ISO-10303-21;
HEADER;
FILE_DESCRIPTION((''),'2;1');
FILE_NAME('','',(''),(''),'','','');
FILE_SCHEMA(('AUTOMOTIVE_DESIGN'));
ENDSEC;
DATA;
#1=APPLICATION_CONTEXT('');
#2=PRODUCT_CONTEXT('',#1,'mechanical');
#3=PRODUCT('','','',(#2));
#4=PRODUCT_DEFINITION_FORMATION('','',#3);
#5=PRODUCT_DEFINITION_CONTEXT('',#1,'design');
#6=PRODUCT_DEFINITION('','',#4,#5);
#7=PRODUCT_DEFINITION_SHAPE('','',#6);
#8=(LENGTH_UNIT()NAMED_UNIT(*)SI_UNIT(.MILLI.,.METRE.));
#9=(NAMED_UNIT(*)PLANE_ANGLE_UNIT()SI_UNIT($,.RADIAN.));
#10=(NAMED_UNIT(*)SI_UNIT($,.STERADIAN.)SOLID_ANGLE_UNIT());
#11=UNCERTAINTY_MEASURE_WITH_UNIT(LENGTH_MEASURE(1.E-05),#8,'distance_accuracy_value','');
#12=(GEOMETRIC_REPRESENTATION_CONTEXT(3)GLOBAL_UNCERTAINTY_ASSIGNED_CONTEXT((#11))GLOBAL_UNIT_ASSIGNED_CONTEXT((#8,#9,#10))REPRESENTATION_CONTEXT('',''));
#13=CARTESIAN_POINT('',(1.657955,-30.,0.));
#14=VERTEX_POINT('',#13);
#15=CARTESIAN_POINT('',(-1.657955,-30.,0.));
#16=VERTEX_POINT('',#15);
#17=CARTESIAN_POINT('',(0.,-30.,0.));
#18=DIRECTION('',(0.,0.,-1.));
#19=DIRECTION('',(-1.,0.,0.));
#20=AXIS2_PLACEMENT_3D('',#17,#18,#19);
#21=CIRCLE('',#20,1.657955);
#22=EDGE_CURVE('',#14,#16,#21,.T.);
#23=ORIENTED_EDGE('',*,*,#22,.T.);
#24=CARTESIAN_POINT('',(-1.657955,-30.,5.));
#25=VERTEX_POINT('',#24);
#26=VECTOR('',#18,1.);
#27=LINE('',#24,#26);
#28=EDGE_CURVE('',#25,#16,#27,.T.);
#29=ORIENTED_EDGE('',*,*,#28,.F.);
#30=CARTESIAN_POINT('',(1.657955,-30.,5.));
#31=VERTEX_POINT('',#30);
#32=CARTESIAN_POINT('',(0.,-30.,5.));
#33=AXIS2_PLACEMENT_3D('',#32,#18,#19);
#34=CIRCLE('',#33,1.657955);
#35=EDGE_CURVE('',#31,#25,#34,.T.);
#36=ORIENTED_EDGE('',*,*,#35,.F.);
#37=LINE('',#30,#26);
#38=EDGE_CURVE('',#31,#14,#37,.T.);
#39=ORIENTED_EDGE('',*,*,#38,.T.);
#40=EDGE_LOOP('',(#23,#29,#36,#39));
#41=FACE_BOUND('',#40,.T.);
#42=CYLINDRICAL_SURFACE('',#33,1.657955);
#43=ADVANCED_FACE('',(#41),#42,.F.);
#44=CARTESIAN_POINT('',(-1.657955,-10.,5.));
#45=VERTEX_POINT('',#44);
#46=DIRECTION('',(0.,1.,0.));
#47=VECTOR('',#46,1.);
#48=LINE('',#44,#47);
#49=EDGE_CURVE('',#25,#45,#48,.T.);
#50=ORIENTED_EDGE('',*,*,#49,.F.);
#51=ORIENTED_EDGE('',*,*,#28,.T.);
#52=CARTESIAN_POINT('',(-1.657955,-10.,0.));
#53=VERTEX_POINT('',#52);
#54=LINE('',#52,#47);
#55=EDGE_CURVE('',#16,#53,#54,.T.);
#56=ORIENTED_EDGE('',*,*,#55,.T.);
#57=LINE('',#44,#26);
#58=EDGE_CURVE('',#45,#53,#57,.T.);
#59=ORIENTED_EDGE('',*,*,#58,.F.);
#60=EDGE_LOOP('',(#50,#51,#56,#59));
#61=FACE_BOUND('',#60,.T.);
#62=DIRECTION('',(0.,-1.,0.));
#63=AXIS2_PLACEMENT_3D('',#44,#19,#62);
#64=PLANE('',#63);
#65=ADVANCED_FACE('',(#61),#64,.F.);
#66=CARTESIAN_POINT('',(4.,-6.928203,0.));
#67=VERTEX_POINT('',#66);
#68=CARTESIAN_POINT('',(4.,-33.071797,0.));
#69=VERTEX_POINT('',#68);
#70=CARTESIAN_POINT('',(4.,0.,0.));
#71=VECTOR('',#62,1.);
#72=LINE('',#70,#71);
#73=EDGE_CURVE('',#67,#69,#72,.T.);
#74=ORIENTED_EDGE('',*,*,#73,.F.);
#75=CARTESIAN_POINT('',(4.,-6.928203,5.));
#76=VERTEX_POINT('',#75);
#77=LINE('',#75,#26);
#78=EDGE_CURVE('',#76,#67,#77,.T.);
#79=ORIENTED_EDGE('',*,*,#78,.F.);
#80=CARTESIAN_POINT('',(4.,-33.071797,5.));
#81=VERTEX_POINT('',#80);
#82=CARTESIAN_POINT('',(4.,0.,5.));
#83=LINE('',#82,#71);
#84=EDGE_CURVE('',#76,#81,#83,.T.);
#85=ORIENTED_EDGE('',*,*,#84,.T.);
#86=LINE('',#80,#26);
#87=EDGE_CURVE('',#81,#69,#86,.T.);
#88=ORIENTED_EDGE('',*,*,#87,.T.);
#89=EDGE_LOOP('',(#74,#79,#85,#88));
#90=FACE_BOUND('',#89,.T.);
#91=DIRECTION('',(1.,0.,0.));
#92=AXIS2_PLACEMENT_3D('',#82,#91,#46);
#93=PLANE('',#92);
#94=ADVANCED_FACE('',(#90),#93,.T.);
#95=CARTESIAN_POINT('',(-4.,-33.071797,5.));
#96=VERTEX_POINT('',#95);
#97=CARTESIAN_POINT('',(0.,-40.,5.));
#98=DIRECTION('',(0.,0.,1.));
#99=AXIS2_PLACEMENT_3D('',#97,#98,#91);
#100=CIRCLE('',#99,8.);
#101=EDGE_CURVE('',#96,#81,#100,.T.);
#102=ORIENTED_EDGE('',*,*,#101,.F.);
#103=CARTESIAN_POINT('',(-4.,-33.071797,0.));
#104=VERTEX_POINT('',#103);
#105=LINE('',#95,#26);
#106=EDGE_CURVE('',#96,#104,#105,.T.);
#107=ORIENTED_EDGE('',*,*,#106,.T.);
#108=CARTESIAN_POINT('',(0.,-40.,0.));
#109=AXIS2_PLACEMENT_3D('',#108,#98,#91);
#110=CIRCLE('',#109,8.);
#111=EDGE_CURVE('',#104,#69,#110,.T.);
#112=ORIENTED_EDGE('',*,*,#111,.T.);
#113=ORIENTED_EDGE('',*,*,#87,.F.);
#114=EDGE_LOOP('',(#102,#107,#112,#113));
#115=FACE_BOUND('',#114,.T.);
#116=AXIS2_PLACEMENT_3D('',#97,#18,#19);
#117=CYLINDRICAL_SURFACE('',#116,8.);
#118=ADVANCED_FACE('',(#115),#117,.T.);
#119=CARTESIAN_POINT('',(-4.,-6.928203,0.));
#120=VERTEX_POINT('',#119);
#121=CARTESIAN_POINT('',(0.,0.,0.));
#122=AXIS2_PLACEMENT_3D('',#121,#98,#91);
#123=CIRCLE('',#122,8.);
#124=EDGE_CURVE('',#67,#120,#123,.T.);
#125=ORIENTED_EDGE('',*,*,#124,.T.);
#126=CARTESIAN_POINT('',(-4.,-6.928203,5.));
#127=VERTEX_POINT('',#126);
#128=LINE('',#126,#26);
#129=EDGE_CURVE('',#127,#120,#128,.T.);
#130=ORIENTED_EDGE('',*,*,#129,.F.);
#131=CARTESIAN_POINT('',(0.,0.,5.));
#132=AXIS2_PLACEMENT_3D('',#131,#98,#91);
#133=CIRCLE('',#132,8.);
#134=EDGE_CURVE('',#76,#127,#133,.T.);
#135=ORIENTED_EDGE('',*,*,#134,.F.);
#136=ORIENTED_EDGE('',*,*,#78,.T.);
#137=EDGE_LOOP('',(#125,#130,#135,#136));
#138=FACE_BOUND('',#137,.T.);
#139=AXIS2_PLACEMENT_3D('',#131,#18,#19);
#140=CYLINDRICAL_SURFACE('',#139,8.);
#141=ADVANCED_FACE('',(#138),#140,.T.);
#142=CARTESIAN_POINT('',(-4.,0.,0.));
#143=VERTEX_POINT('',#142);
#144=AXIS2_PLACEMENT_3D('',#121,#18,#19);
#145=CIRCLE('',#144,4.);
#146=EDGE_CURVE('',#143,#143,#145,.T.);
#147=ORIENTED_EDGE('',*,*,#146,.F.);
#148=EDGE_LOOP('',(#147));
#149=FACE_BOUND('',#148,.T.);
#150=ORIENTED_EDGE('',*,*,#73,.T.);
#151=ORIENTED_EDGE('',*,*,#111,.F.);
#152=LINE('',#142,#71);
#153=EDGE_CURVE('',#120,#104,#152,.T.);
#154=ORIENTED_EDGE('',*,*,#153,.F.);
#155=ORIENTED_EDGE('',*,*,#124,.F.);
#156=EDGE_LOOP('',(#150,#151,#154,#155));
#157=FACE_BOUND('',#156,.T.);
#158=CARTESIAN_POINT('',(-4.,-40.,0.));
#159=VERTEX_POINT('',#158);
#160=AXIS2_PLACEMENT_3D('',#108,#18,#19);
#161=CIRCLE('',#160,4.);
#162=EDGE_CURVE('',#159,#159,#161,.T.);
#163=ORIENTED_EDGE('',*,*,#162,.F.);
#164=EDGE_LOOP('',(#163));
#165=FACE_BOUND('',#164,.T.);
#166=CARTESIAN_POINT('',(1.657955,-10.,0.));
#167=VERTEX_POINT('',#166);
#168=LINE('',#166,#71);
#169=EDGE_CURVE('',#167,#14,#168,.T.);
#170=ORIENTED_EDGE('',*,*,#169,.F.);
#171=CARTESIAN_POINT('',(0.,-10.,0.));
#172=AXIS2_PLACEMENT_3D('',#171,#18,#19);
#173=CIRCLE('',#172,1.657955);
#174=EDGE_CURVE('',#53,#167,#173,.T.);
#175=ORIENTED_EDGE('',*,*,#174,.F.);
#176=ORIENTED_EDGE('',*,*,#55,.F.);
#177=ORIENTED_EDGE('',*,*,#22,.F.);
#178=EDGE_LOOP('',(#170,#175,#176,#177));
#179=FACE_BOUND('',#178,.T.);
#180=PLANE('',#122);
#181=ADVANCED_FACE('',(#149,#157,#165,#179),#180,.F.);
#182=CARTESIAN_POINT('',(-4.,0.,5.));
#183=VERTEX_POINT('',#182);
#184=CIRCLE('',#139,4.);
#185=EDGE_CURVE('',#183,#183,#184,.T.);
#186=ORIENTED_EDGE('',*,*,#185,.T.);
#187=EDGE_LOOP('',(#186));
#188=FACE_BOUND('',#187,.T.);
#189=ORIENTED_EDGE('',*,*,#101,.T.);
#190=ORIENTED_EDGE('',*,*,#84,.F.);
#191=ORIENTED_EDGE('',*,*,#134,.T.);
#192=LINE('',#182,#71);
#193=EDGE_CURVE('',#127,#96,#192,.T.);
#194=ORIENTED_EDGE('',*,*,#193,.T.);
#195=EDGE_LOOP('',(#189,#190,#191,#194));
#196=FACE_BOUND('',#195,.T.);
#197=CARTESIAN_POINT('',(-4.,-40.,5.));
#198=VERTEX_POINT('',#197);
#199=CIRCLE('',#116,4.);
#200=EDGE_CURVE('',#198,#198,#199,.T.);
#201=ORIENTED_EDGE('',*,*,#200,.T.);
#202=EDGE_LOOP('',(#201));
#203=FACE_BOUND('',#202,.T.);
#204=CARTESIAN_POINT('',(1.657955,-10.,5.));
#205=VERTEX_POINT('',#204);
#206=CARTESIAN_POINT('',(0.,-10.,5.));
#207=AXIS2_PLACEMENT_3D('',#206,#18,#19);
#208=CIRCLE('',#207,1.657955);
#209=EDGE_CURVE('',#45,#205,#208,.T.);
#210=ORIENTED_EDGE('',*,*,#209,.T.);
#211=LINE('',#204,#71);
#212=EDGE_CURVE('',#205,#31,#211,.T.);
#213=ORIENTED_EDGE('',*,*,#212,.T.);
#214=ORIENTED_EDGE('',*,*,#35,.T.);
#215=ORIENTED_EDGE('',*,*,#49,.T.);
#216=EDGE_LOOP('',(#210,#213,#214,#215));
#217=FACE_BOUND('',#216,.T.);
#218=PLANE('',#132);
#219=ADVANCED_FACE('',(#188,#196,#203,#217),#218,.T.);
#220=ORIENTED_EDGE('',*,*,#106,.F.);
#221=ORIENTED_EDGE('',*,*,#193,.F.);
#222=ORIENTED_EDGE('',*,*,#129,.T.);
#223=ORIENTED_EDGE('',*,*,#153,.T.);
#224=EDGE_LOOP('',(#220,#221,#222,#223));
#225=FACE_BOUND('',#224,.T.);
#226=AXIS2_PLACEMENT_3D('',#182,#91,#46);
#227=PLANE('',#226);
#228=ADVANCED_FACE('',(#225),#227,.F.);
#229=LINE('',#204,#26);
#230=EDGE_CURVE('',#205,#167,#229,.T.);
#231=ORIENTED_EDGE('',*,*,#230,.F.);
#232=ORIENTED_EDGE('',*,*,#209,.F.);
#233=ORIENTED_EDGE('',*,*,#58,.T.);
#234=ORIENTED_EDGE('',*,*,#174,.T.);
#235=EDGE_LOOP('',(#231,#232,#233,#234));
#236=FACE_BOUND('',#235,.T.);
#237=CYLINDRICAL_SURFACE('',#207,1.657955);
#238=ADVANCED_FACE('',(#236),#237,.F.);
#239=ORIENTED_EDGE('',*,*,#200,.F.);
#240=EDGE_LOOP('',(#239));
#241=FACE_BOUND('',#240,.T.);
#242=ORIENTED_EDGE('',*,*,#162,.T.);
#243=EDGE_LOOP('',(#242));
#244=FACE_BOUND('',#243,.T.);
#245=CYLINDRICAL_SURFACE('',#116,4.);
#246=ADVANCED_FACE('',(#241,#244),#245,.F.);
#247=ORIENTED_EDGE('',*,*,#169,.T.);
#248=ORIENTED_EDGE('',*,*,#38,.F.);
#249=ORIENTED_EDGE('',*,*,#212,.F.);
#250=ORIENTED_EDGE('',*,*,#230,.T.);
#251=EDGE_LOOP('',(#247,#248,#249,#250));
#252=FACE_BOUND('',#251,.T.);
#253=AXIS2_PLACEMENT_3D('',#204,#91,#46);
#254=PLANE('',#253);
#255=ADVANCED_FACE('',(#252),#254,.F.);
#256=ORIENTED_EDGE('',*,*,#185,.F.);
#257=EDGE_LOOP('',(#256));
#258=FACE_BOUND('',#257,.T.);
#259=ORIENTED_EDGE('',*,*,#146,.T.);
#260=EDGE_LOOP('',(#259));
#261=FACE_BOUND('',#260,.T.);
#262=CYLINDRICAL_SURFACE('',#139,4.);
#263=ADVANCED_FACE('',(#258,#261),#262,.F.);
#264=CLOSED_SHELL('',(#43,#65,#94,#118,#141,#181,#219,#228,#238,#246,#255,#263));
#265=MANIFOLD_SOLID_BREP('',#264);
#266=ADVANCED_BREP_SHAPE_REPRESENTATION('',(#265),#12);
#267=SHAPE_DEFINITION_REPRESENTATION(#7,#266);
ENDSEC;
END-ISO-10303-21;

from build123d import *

# Parameters (mm, degrees)
EXTRUDE_1_DEPTH     = 5
SKETCH_3_R          = 4
CUT_EXTRUDE_1_DEPTH = 49.918299235
CUT_EXTRUDE_2_DEPTH = 49.918299235


with BuildPart() as part:
    # 草图1 → 凸台-拉伸1 (new body)
    with BuildSketch(Plane.XY):
        with BuildLine():
            Line((-4, -6.92820323), (-4, 0))
            Line((-4, 0), (4, 0))
            Line((4, 0), (4, -6.92820323))
            ThreePointArc((4, -6.92820323), (6.92820323, -4), (8, 0))
            ThreePointArc((8, 0), (-4, 6.92820323), (-4, -6.92820323))
        make_face()
        with BuildLine():
            Line((4, 0), (-4, 0))
            Line((-4, 0), (-4, -6.92820323))
            ThreePointArc((-4, -6.92820323), (0, -8), (4, -6.92820323))
            Line((4, -6.92820323), (4, 0))
        make_face()
        with BuildLine():
            ThreePointArc((4, -6.92820323), (0, -8), (-4, -6.92820323))
            Line((-4, -6.92820323), (-4, -33.07179677))
            ThreePointArc((-4, -33.07179677), (0, -32), (4, -33.07179677))
            Line((4, -33.07179677), (4, -6.92820323))
        make_face()
        with BuildLine():
            ThreePointArc((4, -33.07179677), (0, -32), (-4, -33.07179677))
            Line((-4, -33.07179677), (-4, -40))
            Line((-4, -40), (4, -40))
            Line((4, -40), (4, -33.07179677))
        make_face()
        with BuildLine():
            Line((-4, -40), (-4, -33.07179677))
            ThreePointArc((-4, -33.07179677), (-4, -46.92820323), (8, -40))
            ThreePointArc((8, -40), (6.92820323, -36), (4, -33.07179677))
            Line((4, -33.07179677), (4, -40))
            Line((4, -40), (-4, -40))
        make_face()
    extrude(amount=EXTRUDE_1_DEPTH)

    # 草图3 → 切除-拉伸1 (cut, through all)
    with BuildSketch(Plane(origin=(0, 0, 0), x_dir=(-1, 0, 0), z_dir=(0, 0, -1))):
        Circle(SKETCH_3_R)
        with Locations((0, -40)):
            Circle(SKETCH_3_R)
    extrude(amount=-CUT_EXTRUDE_1_DEPTH, mode=Mode.SUBTRACT)

    # 草图4 → 切除-拉伸2 (cut, through all)
    with BuildSketch(Plane(origin=(0, 0, 0), x_dir=(-1, 0, 0), z_dir=(0, 0, -1))):
        with BuildLine():
            Line((1.657955328, -10), (1.657955328, -30))
            ThreePointArc((1.657955328, -30), (0, -31.657955328), (-1.657955328, -30))
            Line((-1.657955328, -30), (-1.657955328, -10))
            ThreePointArc((-1.657955328, -10), (0, -8.342044672), (1.657955328, -10))
        make_face()
    extrude(amount=-CUT_EXTRUDE_2_DEPTH, mode=Mode.SUBTRACT)


solid = part.part
